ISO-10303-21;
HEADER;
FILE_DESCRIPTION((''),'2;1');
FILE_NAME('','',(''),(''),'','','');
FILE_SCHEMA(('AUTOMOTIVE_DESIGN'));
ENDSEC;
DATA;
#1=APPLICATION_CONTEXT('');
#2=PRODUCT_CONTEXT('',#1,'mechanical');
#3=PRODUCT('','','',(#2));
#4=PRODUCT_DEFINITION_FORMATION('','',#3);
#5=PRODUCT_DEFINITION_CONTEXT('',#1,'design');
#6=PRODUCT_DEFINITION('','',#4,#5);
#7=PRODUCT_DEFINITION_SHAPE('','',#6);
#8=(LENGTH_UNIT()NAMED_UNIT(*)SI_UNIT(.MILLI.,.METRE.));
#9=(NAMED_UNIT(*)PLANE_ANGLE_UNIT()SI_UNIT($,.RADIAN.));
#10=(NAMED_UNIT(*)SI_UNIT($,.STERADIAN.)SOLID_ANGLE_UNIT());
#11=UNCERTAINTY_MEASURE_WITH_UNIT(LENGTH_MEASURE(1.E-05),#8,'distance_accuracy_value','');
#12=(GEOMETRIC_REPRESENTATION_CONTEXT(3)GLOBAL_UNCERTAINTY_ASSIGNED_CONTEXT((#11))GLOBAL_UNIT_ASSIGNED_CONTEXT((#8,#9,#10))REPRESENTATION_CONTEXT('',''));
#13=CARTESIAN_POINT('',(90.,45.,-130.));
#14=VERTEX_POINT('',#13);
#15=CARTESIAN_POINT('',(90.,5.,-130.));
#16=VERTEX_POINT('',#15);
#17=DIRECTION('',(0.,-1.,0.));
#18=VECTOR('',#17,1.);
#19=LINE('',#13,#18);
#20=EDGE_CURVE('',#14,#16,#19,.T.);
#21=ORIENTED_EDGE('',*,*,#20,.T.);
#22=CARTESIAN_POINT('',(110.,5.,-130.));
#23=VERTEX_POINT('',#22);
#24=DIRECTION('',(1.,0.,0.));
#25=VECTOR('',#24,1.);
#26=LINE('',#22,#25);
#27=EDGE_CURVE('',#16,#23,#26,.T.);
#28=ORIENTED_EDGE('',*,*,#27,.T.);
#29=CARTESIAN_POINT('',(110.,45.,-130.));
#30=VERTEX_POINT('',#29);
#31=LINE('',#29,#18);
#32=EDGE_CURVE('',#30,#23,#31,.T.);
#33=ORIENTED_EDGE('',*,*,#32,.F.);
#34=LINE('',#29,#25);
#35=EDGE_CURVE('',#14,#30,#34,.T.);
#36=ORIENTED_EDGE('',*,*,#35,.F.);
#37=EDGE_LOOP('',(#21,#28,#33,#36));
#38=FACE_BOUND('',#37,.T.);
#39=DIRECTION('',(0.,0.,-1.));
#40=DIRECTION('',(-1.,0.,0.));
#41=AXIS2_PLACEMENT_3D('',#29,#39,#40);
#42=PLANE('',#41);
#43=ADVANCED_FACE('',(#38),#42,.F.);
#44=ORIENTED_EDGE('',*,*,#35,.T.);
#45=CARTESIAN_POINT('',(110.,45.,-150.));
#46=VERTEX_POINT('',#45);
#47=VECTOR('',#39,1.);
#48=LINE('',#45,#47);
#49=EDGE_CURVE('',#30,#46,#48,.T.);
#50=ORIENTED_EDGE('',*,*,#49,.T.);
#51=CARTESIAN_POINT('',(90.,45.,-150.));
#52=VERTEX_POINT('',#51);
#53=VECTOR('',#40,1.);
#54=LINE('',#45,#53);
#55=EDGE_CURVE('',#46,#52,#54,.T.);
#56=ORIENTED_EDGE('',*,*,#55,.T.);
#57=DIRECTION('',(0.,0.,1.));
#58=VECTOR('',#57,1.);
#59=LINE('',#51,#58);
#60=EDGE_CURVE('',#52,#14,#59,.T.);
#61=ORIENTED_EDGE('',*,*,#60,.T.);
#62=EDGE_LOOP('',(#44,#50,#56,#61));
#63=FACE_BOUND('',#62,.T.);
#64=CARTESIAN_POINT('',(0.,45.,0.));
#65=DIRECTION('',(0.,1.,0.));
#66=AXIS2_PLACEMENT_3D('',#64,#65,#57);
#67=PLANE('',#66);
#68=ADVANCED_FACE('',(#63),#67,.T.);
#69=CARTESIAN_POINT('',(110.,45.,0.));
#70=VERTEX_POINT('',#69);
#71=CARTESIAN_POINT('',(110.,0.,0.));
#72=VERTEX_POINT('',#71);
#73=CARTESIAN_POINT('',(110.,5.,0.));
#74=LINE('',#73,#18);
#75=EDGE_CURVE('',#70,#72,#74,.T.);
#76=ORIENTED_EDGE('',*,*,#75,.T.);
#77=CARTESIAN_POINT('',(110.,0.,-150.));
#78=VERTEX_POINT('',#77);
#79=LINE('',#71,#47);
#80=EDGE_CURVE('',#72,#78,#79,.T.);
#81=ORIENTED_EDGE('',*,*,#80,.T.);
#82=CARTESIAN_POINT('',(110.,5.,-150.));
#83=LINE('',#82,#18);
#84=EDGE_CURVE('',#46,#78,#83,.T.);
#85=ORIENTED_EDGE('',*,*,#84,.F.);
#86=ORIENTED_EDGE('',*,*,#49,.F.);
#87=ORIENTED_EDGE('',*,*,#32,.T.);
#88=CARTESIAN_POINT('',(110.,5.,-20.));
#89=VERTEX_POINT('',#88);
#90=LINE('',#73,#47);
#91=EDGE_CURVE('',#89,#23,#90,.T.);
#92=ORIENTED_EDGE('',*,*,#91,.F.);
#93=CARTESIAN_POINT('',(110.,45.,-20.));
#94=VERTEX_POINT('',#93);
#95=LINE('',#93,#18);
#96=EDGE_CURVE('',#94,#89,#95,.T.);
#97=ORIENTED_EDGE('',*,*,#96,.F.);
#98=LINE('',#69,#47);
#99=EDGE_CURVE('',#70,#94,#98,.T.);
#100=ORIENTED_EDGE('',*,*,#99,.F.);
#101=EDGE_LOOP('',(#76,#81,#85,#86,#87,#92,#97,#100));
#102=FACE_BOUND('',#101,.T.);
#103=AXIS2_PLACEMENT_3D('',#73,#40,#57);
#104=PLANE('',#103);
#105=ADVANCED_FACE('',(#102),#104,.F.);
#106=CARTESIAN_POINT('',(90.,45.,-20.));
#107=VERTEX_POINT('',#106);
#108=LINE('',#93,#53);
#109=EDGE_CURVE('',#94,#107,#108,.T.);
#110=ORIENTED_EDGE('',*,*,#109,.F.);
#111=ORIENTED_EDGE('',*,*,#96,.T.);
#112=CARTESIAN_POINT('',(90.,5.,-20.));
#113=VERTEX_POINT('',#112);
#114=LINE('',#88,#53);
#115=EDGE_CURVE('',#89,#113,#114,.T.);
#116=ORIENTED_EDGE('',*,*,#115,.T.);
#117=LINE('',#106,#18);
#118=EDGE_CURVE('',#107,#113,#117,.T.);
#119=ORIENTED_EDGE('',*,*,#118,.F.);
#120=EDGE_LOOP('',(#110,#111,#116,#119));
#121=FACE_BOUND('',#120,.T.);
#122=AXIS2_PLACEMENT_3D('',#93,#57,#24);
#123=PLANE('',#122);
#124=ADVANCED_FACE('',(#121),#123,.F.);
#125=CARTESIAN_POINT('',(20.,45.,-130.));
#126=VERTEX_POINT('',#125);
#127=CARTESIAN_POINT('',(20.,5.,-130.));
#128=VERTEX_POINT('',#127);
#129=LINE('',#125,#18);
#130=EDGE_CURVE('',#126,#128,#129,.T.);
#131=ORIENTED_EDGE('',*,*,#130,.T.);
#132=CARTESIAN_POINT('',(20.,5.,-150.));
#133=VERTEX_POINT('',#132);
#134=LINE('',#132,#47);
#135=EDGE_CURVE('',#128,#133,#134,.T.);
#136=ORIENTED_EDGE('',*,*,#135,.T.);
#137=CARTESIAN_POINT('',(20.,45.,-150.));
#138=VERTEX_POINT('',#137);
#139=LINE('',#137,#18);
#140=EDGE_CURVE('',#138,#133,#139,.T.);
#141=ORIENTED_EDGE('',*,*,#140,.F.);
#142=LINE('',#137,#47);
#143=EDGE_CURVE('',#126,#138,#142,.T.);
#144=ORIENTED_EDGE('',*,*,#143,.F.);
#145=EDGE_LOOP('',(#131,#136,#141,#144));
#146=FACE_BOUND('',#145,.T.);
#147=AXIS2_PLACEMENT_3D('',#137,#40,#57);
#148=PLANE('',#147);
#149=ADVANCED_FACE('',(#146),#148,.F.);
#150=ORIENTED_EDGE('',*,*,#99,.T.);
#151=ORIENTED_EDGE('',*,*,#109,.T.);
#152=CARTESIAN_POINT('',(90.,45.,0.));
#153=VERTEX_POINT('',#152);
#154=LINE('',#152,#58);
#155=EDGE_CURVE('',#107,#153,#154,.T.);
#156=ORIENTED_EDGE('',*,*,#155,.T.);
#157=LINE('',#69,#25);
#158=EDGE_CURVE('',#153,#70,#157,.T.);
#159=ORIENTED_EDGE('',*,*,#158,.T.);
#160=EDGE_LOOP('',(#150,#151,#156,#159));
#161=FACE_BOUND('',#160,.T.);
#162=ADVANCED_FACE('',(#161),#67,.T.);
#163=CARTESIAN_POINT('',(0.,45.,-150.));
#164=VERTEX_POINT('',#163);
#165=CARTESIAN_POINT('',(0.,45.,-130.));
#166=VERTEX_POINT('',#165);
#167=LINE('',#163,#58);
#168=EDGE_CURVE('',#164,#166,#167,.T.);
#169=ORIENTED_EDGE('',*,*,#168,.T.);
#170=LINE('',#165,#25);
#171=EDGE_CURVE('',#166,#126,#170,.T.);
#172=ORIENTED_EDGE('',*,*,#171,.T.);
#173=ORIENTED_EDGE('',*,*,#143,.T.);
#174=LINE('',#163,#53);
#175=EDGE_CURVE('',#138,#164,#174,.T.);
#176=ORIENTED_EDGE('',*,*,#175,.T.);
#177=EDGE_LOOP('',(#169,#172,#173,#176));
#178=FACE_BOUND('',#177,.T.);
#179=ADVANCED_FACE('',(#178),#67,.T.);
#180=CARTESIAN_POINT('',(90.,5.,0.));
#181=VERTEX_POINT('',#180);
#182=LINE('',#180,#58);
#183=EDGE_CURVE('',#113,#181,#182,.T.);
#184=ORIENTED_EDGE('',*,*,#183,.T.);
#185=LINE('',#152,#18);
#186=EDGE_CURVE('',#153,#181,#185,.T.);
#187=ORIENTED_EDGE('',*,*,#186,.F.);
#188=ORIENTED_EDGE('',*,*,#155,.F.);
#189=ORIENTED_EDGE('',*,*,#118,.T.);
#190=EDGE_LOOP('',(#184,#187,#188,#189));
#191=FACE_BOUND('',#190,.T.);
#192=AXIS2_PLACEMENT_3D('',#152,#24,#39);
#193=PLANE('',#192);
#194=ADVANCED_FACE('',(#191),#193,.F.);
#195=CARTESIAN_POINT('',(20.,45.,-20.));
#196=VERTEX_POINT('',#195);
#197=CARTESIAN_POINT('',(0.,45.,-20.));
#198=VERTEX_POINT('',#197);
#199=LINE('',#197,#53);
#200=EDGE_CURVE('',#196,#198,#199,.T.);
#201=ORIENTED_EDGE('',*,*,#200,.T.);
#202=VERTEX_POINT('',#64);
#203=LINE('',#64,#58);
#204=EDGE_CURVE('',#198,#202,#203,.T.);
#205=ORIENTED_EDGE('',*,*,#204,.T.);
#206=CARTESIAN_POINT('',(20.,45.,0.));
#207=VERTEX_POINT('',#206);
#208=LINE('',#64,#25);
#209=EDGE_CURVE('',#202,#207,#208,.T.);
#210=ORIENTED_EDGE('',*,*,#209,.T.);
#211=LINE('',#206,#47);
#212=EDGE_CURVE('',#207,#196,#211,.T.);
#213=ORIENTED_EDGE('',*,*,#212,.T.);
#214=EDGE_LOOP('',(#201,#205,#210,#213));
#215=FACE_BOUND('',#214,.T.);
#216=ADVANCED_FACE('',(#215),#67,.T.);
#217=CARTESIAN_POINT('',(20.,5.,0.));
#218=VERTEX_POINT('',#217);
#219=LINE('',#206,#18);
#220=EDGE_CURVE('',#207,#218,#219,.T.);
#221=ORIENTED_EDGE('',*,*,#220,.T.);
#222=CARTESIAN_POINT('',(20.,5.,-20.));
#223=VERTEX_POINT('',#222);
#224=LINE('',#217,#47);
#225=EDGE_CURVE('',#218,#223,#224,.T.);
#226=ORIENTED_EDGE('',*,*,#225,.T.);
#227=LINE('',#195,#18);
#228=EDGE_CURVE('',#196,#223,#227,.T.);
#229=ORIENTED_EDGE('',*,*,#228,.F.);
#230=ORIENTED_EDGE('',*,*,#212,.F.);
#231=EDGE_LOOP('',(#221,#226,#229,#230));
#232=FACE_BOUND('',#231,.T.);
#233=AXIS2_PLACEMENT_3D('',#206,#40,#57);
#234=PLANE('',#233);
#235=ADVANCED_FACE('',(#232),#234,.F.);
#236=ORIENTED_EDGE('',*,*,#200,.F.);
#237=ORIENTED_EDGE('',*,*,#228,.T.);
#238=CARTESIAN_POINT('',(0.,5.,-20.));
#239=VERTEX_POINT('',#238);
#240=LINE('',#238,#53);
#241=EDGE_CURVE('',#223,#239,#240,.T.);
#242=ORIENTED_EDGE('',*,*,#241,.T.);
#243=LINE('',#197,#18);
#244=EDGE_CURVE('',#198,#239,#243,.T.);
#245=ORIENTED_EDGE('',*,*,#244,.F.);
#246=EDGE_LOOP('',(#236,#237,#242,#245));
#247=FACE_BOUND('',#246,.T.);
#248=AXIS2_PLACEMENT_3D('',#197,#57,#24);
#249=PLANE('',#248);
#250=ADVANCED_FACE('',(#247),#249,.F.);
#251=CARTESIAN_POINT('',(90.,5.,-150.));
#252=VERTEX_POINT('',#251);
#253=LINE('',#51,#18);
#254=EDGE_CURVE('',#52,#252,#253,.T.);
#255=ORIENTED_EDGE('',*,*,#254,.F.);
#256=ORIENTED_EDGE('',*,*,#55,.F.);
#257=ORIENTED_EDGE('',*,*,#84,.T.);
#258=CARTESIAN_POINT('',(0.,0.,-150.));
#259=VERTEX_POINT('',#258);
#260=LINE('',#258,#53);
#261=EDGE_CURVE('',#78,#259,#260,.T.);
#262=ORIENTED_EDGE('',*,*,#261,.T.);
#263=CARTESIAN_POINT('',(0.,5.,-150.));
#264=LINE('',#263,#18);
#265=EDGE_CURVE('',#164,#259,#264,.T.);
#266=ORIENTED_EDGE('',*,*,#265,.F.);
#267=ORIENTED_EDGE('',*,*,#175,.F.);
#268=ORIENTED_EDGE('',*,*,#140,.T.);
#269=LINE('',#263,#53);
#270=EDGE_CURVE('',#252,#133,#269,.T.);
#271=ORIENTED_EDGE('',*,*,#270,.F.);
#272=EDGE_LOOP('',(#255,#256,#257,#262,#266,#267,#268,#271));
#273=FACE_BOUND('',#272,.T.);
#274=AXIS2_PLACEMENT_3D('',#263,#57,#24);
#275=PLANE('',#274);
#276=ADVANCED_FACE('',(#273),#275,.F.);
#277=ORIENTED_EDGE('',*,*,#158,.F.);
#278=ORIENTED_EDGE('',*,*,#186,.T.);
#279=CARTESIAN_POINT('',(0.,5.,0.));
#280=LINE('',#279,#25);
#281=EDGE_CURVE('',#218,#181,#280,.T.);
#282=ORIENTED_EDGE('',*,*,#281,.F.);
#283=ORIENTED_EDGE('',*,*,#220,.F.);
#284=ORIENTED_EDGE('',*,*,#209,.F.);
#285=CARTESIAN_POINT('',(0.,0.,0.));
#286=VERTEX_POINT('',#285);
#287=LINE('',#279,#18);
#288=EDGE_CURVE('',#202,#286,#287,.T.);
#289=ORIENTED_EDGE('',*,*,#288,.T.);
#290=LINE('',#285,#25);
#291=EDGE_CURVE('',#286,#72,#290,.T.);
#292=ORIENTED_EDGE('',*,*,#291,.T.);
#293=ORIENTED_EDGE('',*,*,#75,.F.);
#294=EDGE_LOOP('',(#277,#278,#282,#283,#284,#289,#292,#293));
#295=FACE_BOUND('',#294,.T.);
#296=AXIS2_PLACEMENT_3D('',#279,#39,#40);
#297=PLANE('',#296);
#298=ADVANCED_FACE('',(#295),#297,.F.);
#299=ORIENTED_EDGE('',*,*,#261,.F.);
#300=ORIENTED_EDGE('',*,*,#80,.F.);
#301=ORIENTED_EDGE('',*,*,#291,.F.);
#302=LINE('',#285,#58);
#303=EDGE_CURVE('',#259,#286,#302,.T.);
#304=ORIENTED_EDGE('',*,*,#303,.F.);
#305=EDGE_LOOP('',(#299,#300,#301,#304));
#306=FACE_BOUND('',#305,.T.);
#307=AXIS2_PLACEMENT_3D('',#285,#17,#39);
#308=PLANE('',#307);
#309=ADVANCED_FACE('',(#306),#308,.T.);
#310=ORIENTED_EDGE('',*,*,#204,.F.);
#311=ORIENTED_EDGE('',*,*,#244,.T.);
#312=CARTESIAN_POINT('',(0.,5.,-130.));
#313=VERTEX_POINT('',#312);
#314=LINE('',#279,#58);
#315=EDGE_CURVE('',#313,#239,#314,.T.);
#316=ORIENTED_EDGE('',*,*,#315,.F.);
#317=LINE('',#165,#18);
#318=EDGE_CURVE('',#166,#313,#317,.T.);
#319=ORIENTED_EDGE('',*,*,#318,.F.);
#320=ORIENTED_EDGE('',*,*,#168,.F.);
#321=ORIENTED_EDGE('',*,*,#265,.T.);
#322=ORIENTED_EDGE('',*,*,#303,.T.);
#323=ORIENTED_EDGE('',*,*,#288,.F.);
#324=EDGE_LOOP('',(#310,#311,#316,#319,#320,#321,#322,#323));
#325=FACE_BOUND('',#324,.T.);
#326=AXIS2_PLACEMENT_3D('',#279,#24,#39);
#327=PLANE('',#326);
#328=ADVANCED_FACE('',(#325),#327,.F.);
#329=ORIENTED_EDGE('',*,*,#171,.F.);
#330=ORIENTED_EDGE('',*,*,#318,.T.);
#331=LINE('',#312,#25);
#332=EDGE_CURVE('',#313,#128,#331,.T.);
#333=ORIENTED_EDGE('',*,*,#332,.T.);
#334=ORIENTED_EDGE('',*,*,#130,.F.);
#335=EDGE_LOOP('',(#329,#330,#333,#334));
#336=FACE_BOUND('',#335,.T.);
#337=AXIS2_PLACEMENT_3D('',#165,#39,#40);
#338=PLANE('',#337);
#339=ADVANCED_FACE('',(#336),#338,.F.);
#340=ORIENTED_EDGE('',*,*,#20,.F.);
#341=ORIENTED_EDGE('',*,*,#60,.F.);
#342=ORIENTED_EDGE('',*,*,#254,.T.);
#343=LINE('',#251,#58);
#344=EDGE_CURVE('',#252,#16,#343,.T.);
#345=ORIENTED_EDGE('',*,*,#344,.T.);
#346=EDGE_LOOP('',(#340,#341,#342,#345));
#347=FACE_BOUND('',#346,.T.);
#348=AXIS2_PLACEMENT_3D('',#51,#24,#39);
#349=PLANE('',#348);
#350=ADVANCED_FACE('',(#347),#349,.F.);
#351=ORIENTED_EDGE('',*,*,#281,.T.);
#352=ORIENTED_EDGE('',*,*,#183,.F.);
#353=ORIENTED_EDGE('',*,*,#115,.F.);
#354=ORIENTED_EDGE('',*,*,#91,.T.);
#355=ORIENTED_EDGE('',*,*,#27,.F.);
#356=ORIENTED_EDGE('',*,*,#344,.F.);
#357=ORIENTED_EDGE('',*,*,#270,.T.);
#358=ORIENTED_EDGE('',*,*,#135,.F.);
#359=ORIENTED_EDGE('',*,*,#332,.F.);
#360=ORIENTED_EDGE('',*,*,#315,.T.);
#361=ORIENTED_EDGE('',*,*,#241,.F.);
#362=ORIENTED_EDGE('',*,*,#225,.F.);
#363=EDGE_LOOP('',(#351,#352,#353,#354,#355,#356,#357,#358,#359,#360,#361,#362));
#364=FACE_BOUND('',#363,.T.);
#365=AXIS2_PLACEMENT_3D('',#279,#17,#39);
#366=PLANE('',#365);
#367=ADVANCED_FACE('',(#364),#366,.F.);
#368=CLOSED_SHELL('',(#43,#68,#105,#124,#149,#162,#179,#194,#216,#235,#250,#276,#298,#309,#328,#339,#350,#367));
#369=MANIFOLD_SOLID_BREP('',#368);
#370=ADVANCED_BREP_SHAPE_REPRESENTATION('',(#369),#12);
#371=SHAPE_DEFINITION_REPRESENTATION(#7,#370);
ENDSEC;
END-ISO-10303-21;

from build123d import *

# Parameters (mm, degrees)
SKETCH_2_W      = 110
SKETCH_2_H      = 150
EXTRUDE_1_DEPTH = 5
SKETCH_3_W      = 20
SKETCH_3_H      = 20
EXTRUDE_2_DEPTH = 40


with BuildPart() as part:
    # 草图2 → 凸台-拉伸1 (new body)
    with BuildSketch(Plane(origin=(0, 0, 0), x_dir=(1, 0, 0), z_dir=(0, 1, 0))):
        with Locations((55, 75)):
            Rectangle(SKETCH_2_W, SKETCH_2_H)
    extrude(amount=EXTRUDE_1_DEPTH)

    # 草图3 → 凸台-拉伸2 (add)
    with BuildSketch(Plane(origin=(0, 5, 0), x_dir=(1, 0, 0), z_dir=(0, 1, 0))):
        with Locations((10, 140)):
            Rectangle(SKETCH_3_W, SKETCH_3_H)
        with Locations((10, 10)):
            Rectangle(SKETCH_3_W, SKETCH_3_H)
        with Locations((100, 10)):
            Rectangle(SKETCH_3_W, SKETCH_3_H)
        with Locations((100, 140)):
            Rectangle(SKETCH_3_W, SKETCH_3_H)
    extrude(amount=EXTRUDE_2_DEPTH)


solid = part.part
